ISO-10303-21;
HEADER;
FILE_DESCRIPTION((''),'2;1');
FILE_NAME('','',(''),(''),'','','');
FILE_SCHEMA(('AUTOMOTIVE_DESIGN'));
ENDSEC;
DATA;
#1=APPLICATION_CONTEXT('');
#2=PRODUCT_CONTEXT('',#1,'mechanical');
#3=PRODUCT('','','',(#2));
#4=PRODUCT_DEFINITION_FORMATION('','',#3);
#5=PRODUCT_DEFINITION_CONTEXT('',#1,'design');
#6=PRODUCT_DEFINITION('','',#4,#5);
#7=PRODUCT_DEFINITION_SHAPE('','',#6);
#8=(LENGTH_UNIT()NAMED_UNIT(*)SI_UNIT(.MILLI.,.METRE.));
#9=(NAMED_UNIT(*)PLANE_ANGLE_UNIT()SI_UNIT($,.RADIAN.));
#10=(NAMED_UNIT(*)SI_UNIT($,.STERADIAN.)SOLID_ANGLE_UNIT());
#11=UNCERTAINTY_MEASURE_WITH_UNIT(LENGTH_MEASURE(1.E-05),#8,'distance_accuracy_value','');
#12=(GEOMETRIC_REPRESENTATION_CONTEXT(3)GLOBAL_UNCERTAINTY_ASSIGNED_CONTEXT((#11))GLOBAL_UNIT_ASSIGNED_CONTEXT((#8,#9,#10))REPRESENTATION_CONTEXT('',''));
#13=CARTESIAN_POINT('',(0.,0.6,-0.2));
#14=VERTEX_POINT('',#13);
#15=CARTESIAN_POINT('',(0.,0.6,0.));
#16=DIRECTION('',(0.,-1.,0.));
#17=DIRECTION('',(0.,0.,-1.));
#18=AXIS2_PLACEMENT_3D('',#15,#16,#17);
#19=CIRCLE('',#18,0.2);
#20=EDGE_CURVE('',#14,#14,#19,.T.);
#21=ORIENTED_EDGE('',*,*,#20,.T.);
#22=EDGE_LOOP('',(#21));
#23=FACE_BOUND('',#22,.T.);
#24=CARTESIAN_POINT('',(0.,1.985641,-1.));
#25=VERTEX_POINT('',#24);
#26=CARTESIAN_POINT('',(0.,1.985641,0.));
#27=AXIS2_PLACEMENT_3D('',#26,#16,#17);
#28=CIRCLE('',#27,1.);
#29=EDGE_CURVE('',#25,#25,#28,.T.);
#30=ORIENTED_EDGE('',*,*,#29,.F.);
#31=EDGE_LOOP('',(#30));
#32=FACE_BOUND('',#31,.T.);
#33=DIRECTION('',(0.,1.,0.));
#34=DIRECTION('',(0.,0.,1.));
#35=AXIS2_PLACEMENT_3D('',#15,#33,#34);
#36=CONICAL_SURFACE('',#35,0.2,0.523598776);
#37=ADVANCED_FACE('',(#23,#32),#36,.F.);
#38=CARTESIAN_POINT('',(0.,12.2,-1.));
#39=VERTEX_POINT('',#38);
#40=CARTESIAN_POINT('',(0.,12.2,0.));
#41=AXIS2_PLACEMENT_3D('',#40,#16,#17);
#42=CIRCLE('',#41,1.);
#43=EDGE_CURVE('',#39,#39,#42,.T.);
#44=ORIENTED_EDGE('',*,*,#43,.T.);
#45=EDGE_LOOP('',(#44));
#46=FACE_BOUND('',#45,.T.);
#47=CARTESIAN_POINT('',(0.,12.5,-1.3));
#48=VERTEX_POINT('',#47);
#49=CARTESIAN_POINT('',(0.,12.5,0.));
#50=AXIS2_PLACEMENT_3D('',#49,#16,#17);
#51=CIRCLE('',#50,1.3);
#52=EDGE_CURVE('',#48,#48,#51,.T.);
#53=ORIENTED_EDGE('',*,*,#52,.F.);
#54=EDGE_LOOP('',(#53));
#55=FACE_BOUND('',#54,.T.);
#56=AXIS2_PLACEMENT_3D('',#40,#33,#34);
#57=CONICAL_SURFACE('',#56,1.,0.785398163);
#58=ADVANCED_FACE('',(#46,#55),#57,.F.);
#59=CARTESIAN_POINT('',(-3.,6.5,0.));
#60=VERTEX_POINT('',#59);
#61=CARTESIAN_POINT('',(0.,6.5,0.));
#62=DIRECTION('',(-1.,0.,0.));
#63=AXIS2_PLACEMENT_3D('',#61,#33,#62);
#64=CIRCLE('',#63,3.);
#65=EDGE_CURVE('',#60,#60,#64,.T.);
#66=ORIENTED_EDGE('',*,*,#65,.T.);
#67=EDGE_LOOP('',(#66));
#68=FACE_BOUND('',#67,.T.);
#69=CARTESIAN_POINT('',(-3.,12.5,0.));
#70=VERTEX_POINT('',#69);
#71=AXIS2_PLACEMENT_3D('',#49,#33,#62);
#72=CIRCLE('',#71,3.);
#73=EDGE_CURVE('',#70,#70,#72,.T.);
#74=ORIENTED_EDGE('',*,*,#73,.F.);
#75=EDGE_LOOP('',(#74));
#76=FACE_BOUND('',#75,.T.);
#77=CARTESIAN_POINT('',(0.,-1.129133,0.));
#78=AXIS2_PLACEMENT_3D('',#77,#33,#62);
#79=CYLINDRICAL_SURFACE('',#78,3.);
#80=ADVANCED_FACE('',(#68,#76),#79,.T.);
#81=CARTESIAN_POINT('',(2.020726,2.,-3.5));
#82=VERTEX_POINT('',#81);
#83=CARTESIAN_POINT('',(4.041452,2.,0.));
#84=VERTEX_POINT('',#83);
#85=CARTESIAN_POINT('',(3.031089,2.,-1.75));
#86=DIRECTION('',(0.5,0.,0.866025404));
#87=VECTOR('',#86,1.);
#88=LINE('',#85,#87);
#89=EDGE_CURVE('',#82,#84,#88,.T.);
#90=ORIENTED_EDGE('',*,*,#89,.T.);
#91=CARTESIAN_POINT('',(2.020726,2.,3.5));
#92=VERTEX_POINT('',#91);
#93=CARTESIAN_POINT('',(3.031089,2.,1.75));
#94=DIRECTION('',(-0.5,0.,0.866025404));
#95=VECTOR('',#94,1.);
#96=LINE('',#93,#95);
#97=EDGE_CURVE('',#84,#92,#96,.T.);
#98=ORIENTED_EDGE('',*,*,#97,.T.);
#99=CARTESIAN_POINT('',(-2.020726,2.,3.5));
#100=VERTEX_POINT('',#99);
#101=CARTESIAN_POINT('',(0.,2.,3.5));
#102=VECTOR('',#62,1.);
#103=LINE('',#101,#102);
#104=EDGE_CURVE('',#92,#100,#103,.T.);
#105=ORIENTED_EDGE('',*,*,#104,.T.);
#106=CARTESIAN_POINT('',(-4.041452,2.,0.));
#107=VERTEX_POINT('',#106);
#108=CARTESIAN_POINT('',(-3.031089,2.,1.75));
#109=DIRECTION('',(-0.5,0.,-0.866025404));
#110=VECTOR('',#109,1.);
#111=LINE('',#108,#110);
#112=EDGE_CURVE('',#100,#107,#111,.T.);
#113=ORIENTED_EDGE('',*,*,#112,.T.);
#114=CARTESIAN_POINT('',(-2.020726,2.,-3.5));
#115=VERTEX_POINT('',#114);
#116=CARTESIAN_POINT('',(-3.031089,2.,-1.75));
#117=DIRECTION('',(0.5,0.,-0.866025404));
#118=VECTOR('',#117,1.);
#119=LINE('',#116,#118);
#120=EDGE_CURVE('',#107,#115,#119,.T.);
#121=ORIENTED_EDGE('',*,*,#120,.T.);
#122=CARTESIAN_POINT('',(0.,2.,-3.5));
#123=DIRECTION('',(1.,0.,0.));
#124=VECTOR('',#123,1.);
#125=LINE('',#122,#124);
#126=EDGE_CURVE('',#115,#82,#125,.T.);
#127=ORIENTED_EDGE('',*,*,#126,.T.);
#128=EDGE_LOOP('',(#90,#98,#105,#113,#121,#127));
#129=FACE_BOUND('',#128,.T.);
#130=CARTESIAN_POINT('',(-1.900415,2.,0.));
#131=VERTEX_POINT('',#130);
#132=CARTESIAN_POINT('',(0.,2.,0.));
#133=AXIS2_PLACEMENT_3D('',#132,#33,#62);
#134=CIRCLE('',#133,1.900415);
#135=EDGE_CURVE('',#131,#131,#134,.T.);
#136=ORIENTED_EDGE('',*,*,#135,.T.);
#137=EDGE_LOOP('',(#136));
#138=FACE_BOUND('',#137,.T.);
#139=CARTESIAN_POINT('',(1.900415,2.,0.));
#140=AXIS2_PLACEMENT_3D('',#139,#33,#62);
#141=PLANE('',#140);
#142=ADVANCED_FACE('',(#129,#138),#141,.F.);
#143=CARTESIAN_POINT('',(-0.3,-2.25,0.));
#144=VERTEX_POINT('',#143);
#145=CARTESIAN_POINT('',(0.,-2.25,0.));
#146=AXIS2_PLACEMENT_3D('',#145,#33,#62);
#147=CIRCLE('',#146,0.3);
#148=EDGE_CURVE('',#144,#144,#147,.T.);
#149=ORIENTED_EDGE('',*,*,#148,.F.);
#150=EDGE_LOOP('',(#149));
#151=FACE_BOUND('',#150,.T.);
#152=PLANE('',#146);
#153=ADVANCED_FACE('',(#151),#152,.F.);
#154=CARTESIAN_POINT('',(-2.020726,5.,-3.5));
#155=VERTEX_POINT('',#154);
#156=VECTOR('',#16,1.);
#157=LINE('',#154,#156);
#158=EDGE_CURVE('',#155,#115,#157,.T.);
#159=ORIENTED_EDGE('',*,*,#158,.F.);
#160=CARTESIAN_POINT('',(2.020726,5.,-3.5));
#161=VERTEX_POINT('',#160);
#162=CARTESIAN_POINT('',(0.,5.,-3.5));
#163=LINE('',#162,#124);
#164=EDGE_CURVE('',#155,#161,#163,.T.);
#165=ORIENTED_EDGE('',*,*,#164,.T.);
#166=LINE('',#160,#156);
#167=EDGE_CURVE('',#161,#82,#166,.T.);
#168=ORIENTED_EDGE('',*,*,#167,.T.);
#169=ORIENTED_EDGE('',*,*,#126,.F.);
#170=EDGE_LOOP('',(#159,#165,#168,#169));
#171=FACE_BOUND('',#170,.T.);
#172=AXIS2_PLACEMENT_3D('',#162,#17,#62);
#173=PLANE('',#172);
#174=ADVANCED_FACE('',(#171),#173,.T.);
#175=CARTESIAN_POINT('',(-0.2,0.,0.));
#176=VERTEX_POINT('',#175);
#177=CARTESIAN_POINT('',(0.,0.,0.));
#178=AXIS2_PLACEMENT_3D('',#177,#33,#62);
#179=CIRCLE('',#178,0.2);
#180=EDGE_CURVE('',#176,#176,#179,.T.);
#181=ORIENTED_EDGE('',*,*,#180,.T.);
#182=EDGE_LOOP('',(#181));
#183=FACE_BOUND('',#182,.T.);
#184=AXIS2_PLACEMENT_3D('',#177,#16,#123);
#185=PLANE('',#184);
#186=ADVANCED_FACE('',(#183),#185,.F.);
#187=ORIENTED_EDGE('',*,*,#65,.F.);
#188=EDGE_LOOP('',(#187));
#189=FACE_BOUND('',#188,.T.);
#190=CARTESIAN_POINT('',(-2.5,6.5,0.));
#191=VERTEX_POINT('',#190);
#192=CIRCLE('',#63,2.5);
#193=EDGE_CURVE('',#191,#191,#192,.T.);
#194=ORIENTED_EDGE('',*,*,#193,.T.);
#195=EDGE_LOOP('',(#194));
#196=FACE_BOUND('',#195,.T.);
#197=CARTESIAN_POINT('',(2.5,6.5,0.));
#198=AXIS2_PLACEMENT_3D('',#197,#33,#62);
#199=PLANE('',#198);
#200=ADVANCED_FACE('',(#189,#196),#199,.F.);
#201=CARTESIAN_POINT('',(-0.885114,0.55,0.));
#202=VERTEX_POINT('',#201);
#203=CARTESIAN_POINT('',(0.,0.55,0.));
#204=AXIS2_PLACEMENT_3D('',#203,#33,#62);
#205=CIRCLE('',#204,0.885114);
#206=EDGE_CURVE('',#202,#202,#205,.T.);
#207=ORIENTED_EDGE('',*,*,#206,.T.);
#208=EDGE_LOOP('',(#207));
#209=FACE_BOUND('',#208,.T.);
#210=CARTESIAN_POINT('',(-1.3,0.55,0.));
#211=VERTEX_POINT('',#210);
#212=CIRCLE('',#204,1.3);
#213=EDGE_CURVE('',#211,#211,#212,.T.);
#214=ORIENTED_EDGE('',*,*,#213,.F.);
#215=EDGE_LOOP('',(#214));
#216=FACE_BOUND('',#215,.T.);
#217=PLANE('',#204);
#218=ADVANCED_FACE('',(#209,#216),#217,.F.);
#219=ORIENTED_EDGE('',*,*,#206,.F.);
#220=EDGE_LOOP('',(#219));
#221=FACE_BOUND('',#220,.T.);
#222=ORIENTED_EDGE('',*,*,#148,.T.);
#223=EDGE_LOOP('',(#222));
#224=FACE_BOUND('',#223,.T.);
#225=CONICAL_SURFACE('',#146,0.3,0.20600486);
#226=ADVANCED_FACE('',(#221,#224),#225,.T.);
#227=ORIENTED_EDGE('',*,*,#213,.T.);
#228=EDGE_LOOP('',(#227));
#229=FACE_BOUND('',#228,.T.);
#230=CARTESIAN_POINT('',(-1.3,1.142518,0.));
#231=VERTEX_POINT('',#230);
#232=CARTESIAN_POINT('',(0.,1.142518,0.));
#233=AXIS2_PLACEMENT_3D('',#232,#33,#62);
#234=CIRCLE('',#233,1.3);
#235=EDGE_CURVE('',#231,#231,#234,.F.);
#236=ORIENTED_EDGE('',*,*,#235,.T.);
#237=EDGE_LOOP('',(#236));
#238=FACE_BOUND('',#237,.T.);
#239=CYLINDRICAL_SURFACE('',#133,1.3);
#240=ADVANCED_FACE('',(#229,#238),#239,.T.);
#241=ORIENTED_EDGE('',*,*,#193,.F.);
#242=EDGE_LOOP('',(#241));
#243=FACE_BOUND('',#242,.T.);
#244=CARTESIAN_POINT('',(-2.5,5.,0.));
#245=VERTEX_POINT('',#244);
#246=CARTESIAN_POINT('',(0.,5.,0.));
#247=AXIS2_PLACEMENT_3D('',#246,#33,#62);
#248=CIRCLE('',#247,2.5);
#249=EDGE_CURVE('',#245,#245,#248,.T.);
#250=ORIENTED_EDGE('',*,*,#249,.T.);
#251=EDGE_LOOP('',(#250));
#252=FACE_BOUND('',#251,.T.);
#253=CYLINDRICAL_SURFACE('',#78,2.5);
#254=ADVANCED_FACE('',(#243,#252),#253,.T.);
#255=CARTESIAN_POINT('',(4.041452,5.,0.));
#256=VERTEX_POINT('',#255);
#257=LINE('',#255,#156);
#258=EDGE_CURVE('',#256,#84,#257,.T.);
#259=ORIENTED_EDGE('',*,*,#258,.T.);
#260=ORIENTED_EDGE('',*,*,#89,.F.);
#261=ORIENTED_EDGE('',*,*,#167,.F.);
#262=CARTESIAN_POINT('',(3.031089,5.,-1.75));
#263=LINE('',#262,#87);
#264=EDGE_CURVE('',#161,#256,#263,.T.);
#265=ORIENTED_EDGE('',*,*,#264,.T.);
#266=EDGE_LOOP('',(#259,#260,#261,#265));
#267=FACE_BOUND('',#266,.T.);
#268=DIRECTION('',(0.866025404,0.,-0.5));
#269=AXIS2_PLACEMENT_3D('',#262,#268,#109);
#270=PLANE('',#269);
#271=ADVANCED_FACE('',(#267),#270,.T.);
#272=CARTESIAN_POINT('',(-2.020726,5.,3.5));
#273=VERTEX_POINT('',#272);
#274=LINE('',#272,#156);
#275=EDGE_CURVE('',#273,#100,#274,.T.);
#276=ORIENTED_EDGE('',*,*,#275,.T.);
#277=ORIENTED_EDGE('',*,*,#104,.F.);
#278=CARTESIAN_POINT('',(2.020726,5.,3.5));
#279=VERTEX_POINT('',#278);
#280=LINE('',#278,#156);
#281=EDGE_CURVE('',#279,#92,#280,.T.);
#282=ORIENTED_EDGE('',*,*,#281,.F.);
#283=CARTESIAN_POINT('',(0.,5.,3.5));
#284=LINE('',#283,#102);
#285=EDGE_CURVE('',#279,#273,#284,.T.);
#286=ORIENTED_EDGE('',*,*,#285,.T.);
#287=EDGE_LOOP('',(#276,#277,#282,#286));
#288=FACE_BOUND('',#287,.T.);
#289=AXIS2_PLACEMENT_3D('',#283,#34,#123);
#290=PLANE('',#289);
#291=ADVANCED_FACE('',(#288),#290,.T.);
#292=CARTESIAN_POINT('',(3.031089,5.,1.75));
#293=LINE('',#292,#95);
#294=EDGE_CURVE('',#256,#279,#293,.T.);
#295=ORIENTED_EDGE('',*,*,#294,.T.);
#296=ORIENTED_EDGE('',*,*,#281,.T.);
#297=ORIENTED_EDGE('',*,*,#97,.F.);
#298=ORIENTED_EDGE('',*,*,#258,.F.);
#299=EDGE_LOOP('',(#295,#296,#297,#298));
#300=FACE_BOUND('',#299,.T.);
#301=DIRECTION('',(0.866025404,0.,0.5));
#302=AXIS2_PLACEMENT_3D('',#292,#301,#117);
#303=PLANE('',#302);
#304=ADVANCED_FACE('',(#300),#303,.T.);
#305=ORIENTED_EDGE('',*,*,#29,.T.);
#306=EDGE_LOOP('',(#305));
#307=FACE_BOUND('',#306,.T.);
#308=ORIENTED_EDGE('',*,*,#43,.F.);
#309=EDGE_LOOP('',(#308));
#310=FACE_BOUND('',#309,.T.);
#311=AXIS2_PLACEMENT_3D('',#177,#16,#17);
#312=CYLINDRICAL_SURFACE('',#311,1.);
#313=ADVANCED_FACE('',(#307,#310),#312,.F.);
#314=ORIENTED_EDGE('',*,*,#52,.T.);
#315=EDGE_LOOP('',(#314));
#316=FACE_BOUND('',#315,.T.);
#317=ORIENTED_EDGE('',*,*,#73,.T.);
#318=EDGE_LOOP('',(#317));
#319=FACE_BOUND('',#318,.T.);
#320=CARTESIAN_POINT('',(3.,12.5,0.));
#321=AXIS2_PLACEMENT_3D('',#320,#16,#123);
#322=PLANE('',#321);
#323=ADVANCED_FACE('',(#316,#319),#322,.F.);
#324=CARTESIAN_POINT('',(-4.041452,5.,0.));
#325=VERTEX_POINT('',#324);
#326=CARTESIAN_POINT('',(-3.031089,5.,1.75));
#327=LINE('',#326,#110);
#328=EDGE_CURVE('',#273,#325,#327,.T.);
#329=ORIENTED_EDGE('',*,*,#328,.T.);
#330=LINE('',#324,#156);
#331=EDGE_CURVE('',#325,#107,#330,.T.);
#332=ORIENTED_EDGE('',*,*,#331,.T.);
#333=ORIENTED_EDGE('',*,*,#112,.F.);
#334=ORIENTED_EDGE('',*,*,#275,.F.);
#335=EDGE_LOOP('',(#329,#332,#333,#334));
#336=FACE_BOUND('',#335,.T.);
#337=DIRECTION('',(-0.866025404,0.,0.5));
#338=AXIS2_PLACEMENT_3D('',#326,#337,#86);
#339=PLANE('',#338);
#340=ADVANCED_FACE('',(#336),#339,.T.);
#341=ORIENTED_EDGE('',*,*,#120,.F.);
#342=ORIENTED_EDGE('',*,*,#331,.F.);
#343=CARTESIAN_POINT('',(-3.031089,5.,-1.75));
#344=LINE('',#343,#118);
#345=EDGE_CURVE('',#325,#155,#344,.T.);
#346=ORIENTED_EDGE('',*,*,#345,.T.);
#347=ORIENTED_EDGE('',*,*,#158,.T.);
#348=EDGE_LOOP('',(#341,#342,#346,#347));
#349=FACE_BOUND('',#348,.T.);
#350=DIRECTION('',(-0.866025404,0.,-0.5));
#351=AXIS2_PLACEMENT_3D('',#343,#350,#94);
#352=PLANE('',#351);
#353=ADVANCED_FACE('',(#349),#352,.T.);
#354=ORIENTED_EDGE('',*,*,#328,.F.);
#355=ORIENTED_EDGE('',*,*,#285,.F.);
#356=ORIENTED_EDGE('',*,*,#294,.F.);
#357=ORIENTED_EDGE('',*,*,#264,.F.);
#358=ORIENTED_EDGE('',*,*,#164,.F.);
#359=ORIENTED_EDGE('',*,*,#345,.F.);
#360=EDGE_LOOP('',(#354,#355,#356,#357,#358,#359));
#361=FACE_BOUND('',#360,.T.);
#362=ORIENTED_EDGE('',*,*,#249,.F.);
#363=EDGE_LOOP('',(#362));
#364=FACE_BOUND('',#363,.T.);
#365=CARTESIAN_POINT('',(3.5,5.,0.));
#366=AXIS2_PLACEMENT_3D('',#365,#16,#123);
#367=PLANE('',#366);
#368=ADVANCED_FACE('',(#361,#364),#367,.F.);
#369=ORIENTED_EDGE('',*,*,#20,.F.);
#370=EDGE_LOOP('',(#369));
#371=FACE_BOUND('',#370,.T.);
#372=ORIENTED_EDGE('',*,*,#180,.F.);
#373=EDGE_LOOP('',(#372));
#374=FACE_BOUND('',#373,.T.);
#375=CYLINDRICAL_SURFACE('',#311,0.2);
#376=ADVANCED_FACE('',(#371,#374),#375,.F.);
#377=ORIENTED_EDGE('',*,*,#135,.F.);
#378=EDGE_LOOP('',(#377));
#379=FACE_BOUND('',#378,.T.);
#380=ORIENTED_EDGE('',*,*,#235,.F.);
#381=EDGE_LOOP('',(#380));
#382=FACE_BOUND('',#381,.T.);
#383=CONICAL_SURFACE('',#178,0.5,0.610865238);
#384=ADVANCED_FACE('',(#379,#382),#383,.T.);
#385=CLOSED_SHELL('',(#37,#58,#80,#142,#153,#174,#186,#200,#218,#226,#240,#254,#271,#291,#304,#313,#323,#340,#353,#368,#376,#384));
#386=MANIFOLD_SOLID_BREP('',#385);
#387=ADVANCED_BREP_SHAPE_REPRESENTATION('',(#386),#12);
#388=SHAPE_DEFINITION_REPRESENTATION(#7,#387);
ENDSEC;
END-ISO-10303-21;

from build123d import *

# Parameters (mm, degrees)
BOSS_EXTRUDE1_DEPTH = 3


with BuildPart() as part:
    # Sketch1 → Revolve1 (revolve)
    with BuildSketch(Plane.XY):
        Polygon((0, 0), (0.5, 0), (1.900415076, 2), (3.5, 2), (3.5, 5), (2.5, 5), (2.5, 6.5), (3, 6.5), (3, 12.5), (0, 12.5), align=None)
    revolve(axis=Axis((0, -1.1291331, 0), (0, -1, 0)))

    # Sketch2 → Cut-Revolve1 (revolve, cut)
    with BuildSketch(Plane.XY):
        Polygon((0, 12.5), (1.3, 12.5), (1, 12.2), (1, 1.985640646), (0.2, 0.6), (0.2, 0), (0, 0), align=None)
    revolve(axis=Axis((0, 0, 0), (0, 1, 0)), mode=Mode.SUBTRACT)

    # Sketch3 → Boss-Extrude1 (add)
    with BuildSketch(Plane.XZ.offset(-2)):
        with BuildLine():
            ThreePointArc((-3.031088921, -1.749999986), (-3.5, 0), (-3.031088921, 1.749999986))
            Line((-3.031088921, 1.749999986), (-4.041451884, 0))
            Line((-4.041451884, 0), (-3.031088921, -1.749999986))
        make_face()
        with BuildLine():
            ThreePointArc((-3.031088921, 1.749999986), (-1.750000007, 3.031088909), (0, 3.5))
            Line((0, 3.5), (-2.020725942, 3.5))
            Line((-2.020725942, 3.5), (-3.031088921, 1.749999986))
        make_face()
        with BuildLine():
            ThreePointArc((0, 3.5), (1.750000007, 3.031088909), (3.031088922, 1.749999985))
            Line((3.031088922, 1.749999985), (2.020725942, 3.5))
            Line((2.020725942, 3.5), (0, 3.5))
        make_face()
        with BuildLine():
            Line((2.020725942, -3.5), (3.031088915, -1.749999996))
            ThreePointArc((3.031088915, -1.749999996), (1.750000009, -3.031088908), (1.6e-08, -3.5))
            Line((1.6e-08, -3.5), (2.020725942, -3.5))
        make_face()
        with BuildLine():
            Line((-2.020725942, -3.5), (1.6e-08, -3.5))
            ThreePointArc((1.6e-08, -3.5), (-1.75, -3.031088913), (-3.031088921, -1.749999986))
            Line((-3.031088921, -1.749999986), (-2.020725942, -3.5))
        make_face()
        with BuildLine():
            Line((3.031088915, -1.749999996), (4.041451884, 0))
            Line((4.041451884, 0), (3.031088922, 1.749999985))
            ThreePointArc((3.031088922, 1.749999985), (3.380740394, 0.90586665), (3.5, 0))
            ThreePointArc((3.5, 0), (3.380740393, -0.905866656), (3.031088915, -1.749999996))
        make_face()
    extrude(amount=-BOSS_EXTRUDE1_DEPTH)

    # Sketch4 → Revolve2 (revolve)
    with BuildSketch(Plane.XY):
        Polygon((0, 0), (0, -2.25), (0.3, -2.25), (0.885114146, 0.55), (1.3, 0.55), (1.3, 2), (1.008290377, 2), (1, 1.985640646), (0.2, 0.6), (0.2, 0), align=None)
    revolve(axis=Axis((0, 2, 0), (0, -1, 0)))


solid = part.part
